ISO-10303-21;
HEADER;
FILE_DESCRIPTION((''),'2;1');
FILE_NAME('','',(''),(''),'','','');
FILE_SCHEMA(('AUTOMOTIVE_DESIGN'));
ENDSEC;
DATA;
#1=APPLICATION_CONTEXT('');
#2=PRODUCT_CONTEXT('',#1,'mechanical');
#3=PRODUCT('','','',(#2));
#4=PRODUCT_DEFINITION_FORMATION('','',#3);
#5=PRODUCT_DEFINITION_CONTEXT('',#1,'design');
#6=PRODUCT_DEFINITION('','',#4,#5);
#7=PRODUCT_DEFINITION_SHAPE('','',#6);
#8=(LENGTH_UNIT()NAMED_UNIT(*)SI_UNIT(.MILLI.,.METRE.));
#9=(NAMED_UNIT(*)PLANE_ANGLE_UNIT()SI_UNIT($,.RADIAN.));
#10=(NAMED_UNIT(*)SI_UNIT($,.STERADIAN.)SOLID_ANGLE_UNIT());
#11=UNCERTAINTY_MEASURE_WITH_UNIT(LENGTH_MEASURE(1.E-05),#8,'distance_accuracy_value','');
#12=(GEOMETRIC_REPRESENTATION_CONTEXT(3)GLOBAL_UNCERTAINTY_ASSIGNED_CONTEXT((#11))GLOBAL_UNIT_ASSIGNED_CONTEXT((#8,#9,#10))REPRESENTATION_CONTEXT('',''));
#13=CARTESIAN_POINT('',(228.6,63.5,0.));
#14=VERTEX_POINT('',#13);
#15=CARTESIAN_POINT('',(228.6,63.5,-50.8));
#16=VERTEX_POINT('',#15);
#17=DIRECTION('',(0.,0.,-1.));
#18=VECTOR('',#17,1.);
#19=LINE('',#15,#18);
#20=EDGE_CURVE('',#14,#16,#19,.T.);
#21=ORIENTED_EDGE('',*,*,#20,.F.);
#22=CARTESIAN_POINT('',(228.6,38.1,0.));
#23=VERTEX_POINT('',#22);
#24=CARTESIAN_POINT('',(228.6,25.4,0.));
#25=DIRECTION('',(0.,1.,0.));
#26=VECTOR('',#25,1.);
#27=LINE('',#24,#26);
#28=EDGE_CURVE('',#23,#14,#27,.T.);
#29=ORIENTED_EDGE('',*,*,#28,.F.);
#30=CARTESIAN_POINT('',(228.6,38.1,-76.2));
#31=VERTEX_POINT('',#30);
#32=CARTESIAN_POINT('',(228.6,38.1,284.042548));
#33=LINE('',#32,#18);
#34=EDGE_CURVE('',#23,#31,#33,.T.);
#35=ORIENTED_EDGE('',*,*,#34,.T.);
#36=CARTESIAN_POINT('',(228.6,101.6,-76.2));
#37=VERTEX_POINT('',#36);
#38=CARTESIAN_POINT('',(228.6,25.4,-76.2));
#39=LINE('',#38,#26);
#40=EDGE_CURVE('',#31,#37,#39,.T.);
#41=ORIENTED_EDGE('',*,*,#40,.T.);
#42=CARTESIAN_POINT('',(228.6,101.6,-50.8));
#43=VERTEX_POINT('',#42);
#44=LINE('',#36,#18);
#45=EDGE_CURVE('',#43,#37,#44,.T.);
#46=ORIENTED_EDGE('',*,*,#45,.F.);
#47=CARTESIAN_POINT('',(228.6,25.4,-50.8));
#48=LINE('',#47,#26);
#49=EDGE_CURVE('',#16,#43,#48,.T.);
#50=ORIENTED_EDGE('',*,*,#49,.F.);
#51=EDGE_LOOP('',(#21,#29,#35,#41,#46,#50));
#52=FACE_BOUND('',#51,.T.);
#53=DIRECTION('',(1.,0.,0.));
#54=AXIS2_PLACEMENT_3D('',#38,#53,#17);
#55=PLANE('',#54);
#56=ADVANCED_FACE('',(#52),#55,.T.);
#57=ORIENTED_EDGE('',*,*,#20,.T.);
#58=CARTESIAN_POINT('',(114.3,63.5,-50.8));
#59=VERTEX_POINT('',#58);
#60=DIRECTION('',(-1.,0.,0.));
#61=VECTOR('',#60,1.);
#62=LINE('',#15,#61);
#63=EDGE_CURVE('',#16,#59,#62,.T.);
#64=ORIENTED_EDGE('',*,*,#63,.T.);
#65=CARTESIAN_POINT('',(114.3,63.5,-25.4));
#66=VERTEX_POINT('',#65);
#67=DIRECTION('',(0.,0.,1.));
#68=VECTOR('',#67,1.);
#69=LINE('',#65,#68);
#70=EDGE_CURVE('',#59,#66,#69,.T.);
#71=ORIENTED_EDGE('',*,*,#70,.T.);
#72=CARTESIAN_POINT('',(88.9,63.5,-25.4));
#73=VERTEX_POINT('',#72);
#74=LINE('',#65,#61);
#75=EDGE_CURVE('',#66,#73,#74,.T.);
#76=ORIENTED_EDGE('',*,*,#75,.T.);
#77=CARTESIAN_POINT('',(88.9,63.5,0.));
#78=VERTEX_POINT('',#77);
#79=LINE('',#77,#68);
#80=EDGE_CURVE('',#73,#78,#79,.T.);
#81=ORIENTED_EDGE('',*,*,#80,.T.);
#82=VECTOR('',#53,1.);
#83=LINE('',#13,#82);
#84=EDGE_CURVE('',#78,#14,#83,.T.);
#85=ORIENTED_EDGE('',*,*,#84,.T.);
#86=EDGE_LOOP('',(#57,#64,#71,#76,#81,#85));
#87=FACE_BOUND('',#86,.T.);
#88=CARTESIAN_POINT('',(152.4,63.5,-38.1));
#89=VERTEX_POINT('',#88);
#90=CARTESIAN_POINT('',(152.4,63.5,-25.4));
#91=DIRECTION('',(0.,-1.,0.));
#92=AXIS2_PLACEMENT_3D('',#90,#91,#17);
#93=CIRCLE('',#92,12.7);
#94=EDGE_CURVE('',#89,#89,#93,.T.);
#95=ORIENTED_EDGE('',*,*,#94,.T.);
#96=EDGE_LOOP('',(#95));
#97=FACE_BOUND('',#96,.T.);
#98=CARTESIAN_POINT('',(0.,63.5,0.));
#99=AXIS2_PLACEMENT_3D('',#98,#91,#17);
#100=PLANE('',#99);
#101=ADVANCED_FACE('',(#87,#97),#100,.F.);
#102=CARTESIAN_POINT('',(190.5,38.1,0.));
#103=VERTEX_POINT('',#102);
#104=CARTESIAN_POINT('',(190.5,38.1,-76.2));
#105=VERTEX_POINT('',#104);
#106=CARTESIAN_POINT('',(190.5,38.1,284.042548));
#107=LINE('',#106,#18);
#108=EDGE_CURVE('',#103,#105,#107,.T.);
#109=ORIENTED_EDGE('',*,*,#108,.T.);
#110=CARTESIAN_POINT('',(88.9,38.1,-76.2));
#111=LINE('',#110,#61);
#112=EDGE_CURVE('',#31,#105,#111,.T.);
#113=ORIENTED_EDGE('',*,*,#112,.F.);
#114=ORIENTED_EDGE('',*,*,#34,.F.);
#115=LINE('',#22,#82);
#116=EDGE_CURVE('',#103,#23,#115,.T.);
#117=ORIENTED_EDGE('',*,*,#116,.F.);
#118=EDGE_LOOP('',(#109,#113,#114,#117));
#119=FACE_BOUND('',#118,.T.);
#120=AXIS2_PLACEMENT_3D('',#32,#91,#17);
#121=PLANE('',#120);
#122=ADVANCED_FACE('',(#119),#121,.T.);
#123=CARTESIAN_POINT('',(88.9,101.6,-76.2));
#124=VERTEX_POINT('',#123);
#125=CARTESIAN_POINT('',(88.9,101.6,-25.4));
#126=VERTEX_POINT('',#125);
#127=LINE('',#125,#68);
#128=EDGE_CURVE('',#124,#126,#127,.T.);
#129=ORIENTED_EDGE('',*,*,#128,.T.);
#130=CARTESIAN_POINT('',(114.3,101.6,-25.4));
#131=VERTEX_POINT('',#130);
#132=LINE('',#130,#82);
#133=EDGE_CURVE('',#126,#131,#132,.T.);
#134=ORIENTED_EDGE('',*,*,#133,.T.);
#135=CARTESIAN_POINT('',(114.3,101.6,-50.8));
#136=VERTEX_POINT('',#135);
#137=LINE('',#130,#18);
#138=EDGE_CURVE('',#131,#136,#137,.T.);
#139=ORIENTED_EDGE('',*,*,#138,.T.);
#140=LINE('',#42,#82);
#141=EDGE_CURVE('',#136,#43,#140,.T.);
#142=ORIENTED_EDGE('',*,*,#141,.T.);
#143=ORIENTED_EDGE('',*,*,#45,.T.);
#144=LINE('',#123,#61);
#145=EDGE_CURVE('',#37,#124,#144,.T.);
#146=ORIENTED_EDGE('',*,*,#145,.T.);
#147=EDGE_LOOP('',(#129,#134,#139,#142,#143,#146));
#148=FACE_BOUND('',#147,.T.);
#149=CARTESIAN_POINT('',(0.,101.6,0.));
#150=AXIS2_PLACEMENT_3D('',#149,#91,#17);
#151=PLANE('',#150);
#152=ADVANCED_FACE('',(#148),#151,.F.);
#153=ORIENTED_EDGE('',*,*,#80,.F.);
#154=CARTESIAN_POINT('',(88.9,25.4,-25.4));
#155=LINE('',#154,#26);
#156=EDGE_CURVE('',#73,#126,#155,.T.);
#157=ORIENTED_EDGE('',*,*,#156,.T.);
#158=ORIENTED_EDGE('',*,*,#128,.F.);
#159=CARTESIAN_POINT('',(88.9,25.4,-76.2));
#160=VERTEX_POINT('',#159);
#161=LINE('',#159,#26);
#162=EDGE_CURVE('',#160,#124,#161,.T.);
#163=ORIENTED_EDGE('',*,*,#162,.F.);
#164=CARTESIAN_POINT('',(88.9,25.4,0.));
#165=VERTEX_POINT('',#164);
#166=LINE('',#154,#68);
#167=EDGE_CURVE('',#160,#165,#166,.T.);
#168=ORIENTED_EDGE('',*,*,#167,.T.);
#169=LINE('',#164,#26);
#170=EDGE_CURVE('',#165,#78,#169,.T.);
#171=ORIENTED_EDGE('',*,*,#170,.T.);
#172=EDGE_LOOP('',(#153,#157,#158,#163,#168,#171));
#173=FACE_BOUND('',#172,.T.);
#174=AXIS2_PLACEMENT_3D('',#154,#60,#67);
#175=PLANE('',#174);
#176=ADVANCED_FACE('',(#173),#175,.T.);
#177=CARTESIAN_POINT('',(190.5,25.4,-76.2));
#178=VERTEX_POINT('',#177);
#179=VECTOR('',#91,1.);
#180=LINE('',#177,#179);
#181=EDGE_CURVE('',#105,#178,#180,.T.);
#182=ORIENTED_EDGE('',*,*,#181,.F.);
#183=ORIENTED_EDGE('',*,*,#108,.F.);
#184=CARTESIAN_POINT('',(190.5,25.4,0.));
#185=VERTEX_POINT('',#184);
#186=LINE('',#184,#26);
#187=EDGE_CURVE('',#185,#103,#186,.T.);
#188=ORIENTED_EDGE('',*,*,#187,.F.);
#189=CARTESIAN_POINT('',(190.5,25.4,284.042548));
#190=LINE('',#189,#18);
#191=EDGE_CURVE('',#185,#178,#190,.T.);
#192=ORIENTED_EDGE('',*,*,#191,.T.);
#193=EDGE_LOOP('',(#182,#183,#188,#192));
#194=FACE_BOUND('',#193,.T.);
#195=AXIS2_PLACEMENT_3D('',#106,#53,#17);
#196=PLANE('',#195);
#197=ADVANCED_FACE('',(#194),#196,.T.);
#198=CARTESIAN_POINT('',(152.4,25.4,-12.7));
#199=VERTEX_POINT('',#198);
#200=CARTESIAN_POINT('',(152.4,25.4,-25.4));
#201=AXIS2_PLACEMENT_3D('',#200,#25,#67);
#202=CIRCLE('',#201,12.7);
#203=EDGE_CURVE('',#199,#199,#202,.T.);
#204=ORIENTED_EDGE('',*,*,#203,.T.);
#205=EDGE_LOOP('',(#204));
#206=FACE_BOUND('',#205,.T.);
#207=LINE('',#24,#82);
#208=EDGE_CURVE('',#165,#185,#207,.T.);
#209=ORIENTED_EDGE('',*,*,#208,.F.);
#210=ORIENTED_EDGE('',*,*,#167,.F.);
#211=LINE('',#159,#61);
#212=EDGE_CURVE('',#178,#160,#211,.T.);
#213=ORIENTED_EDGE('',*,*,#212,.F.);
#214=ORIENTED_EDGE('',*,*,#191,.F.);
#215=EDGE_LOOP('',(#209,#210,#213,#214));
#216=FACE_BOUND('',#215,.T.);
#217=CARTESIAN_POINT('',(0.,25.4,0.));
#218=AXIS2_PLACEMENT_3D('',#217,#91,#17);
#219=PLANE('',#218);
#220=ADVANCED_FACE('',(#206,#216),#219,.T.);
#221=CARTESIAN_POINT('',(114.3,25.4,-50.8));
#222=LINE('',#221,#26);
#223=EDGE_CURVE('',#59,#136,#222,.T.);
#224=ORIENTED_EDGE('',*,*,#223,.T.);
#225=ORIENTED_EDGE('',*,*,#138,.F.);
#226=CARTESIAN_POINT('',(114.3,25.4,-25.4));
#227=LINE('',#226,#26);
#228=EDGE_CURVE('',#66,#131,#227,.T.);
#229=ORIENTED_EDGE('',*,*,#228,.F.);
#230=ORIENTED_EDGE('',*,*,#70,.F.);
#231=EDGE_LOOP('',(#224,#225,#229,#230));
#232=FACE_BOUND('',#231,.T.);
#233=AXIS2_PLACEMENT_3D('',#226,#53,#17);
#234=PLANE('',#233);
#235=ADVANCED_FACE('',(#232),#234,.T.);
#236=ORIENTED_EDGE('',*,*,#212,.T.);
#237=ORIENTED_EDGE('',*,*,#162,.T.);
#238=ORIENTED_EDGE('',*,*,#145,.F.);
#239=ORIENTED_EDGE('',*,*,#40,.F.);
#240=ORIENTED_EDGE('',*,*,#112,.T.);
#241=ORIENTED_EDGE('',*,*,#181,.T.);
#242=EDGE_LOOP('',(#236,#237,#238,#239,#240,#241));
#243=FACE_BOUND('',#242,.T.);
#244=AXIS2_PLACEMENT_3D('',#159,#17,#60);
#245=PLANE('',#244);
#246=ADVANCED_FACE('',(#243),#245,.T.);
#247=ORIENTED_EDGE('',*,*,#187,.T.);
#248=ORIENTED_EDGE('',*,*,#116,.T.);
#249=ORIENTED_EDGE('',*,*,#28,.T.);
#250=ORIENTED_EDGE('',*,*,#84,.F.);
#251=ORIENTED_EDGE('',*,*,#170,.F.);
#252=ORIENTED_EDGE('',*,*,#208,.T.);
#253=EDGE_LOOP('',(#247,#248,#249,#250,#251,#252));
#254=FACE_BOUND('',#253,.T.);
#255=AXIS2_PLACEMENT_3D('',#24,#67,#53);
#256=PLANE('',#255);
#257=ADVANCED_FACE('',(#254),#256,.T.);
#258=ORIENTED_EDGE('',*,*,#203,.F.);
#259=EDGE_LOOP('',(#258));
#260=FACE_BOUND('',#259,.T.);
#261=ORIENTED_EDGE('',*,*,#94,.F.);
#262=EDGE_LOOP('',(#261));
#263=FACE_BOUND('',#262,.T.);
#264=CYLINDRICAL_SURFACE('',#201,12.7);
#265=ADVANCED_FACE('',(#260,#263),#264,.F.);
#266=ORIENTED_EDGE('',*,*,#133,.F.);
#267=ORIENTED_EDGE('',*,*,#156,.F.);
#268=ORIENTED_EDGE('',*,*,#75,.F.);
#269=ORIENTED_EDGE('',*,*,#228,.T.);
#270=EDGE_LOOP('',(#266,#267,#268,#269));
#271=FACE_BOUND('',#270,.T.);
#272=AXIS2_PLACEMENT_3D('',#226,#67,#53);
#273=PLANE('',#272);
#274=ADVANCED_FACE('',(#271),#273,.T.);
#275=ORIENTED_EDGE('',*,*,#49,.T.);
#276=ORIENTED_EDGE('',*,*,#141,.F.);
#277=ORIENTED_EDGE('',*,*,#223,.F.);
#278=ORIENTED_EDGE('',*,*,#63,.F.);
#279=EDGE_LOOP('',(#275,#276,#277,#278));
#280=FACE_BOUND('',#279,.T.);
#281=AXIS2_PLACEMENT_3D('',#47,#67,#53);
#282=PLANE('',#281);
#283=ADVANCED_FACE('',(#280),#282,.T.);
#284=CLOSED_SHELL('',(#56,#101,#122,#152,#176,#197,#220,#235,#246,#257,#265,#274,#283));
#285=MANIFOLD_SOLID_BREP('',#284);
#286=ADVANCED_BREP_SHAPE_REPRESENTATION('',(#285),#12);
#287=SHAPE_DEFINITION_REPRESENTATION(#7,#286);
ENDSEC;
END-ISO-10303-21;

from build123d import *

# Parameters (mm, degrees)
BOSS_EXTRUDE1_START     = -12.7
BOSS_EXTRUDE1_DEPTH     = 76.2
BOSS_EXTRUDE2_START     = -50.8
BOSS_EXTRUDE2_DEPTH     = 38.1
SKETCH7_R               = 12.7
CUT_EXTRUDE1_DEPTH      = 257.841604885
CUT_EXTRUDE2_DEPTH      = 262.509005581
CUT_EXTRUDE2_DEPTH_BACK = 262.509005581


with BuildPart() as part:
    # Sketch5 → Boss-Extrude1 (new body)
    with BuildSketch(Plane(origin=(0, 114.3, 0), x_dir=(-1, 0, 0), z_dir=(0, 1, 0)).offset(BOSS_EXTRUDE1_START)):
        Polygon((-88.9, -25.4), (-88.9, -76.2), (-228.6, -76.2), (-228.6, -50.8), (-114.3, -50.8), (-114.3, -25.4), align=None)
    extrude(amount=-BOSS_EXTRUDE1_DEPTH)

    # Sketch6 → Boss-Extrude2 (add)
    with BuildSketch(Plane(origin=(0, 114.3, 0), x_dir=(-1, 0, 0), z_dir=(0, 1, 0)).offset(BOSS_EXTRUDE2_START)):
        Polygon((-228.6, 0), (-88.9, 0), (-88.9, -25.4), (-114.3, -25.4), (-114.3, -50.8), (-228.6, -50.8), align=None)
    extrude(amount=-BOSS_EXTRUDE2_DEPTH)

    # Sketch7 → Cut-Extrude1 (cut, through all)
    with BuildSketch(Plane(origin=(0, 114.3, 0), x_dir=(-1, 0, 0), z_dir=(0, 1, 0))):
        with Locations(Location((-152.4, -25.4, 0), (0, 0, 90))):
            Circle(SKETCH7_R)
    extrude(amount=-CUT_EXTRUDE1_DEPTH, mode=Mode.SUBTRACT)

    # Sketch8 → Cut-Extrude2 (cut, two sides: drawn at the far end of the back side and taken through both)
    with BuildSketch(Plane.XY.offset(-CUT_EXTRUDE2_DEPTH_BACK)):
        Polygon((545.509367729, 38.1), (228.6, 38.1), (190.5, 38.1), (190.5, 25.4), (190.5, -291.509367729), (621.753014004, -755.995134283), (976.762381733, -426.385766553), align=None)
    extrude(amount=CUT_EXTRUDE2_DEPTH + CUT_EXTRUDE2_DEPTH_BACK, mode=Mode.SUBTRACT)


solid = part.part
